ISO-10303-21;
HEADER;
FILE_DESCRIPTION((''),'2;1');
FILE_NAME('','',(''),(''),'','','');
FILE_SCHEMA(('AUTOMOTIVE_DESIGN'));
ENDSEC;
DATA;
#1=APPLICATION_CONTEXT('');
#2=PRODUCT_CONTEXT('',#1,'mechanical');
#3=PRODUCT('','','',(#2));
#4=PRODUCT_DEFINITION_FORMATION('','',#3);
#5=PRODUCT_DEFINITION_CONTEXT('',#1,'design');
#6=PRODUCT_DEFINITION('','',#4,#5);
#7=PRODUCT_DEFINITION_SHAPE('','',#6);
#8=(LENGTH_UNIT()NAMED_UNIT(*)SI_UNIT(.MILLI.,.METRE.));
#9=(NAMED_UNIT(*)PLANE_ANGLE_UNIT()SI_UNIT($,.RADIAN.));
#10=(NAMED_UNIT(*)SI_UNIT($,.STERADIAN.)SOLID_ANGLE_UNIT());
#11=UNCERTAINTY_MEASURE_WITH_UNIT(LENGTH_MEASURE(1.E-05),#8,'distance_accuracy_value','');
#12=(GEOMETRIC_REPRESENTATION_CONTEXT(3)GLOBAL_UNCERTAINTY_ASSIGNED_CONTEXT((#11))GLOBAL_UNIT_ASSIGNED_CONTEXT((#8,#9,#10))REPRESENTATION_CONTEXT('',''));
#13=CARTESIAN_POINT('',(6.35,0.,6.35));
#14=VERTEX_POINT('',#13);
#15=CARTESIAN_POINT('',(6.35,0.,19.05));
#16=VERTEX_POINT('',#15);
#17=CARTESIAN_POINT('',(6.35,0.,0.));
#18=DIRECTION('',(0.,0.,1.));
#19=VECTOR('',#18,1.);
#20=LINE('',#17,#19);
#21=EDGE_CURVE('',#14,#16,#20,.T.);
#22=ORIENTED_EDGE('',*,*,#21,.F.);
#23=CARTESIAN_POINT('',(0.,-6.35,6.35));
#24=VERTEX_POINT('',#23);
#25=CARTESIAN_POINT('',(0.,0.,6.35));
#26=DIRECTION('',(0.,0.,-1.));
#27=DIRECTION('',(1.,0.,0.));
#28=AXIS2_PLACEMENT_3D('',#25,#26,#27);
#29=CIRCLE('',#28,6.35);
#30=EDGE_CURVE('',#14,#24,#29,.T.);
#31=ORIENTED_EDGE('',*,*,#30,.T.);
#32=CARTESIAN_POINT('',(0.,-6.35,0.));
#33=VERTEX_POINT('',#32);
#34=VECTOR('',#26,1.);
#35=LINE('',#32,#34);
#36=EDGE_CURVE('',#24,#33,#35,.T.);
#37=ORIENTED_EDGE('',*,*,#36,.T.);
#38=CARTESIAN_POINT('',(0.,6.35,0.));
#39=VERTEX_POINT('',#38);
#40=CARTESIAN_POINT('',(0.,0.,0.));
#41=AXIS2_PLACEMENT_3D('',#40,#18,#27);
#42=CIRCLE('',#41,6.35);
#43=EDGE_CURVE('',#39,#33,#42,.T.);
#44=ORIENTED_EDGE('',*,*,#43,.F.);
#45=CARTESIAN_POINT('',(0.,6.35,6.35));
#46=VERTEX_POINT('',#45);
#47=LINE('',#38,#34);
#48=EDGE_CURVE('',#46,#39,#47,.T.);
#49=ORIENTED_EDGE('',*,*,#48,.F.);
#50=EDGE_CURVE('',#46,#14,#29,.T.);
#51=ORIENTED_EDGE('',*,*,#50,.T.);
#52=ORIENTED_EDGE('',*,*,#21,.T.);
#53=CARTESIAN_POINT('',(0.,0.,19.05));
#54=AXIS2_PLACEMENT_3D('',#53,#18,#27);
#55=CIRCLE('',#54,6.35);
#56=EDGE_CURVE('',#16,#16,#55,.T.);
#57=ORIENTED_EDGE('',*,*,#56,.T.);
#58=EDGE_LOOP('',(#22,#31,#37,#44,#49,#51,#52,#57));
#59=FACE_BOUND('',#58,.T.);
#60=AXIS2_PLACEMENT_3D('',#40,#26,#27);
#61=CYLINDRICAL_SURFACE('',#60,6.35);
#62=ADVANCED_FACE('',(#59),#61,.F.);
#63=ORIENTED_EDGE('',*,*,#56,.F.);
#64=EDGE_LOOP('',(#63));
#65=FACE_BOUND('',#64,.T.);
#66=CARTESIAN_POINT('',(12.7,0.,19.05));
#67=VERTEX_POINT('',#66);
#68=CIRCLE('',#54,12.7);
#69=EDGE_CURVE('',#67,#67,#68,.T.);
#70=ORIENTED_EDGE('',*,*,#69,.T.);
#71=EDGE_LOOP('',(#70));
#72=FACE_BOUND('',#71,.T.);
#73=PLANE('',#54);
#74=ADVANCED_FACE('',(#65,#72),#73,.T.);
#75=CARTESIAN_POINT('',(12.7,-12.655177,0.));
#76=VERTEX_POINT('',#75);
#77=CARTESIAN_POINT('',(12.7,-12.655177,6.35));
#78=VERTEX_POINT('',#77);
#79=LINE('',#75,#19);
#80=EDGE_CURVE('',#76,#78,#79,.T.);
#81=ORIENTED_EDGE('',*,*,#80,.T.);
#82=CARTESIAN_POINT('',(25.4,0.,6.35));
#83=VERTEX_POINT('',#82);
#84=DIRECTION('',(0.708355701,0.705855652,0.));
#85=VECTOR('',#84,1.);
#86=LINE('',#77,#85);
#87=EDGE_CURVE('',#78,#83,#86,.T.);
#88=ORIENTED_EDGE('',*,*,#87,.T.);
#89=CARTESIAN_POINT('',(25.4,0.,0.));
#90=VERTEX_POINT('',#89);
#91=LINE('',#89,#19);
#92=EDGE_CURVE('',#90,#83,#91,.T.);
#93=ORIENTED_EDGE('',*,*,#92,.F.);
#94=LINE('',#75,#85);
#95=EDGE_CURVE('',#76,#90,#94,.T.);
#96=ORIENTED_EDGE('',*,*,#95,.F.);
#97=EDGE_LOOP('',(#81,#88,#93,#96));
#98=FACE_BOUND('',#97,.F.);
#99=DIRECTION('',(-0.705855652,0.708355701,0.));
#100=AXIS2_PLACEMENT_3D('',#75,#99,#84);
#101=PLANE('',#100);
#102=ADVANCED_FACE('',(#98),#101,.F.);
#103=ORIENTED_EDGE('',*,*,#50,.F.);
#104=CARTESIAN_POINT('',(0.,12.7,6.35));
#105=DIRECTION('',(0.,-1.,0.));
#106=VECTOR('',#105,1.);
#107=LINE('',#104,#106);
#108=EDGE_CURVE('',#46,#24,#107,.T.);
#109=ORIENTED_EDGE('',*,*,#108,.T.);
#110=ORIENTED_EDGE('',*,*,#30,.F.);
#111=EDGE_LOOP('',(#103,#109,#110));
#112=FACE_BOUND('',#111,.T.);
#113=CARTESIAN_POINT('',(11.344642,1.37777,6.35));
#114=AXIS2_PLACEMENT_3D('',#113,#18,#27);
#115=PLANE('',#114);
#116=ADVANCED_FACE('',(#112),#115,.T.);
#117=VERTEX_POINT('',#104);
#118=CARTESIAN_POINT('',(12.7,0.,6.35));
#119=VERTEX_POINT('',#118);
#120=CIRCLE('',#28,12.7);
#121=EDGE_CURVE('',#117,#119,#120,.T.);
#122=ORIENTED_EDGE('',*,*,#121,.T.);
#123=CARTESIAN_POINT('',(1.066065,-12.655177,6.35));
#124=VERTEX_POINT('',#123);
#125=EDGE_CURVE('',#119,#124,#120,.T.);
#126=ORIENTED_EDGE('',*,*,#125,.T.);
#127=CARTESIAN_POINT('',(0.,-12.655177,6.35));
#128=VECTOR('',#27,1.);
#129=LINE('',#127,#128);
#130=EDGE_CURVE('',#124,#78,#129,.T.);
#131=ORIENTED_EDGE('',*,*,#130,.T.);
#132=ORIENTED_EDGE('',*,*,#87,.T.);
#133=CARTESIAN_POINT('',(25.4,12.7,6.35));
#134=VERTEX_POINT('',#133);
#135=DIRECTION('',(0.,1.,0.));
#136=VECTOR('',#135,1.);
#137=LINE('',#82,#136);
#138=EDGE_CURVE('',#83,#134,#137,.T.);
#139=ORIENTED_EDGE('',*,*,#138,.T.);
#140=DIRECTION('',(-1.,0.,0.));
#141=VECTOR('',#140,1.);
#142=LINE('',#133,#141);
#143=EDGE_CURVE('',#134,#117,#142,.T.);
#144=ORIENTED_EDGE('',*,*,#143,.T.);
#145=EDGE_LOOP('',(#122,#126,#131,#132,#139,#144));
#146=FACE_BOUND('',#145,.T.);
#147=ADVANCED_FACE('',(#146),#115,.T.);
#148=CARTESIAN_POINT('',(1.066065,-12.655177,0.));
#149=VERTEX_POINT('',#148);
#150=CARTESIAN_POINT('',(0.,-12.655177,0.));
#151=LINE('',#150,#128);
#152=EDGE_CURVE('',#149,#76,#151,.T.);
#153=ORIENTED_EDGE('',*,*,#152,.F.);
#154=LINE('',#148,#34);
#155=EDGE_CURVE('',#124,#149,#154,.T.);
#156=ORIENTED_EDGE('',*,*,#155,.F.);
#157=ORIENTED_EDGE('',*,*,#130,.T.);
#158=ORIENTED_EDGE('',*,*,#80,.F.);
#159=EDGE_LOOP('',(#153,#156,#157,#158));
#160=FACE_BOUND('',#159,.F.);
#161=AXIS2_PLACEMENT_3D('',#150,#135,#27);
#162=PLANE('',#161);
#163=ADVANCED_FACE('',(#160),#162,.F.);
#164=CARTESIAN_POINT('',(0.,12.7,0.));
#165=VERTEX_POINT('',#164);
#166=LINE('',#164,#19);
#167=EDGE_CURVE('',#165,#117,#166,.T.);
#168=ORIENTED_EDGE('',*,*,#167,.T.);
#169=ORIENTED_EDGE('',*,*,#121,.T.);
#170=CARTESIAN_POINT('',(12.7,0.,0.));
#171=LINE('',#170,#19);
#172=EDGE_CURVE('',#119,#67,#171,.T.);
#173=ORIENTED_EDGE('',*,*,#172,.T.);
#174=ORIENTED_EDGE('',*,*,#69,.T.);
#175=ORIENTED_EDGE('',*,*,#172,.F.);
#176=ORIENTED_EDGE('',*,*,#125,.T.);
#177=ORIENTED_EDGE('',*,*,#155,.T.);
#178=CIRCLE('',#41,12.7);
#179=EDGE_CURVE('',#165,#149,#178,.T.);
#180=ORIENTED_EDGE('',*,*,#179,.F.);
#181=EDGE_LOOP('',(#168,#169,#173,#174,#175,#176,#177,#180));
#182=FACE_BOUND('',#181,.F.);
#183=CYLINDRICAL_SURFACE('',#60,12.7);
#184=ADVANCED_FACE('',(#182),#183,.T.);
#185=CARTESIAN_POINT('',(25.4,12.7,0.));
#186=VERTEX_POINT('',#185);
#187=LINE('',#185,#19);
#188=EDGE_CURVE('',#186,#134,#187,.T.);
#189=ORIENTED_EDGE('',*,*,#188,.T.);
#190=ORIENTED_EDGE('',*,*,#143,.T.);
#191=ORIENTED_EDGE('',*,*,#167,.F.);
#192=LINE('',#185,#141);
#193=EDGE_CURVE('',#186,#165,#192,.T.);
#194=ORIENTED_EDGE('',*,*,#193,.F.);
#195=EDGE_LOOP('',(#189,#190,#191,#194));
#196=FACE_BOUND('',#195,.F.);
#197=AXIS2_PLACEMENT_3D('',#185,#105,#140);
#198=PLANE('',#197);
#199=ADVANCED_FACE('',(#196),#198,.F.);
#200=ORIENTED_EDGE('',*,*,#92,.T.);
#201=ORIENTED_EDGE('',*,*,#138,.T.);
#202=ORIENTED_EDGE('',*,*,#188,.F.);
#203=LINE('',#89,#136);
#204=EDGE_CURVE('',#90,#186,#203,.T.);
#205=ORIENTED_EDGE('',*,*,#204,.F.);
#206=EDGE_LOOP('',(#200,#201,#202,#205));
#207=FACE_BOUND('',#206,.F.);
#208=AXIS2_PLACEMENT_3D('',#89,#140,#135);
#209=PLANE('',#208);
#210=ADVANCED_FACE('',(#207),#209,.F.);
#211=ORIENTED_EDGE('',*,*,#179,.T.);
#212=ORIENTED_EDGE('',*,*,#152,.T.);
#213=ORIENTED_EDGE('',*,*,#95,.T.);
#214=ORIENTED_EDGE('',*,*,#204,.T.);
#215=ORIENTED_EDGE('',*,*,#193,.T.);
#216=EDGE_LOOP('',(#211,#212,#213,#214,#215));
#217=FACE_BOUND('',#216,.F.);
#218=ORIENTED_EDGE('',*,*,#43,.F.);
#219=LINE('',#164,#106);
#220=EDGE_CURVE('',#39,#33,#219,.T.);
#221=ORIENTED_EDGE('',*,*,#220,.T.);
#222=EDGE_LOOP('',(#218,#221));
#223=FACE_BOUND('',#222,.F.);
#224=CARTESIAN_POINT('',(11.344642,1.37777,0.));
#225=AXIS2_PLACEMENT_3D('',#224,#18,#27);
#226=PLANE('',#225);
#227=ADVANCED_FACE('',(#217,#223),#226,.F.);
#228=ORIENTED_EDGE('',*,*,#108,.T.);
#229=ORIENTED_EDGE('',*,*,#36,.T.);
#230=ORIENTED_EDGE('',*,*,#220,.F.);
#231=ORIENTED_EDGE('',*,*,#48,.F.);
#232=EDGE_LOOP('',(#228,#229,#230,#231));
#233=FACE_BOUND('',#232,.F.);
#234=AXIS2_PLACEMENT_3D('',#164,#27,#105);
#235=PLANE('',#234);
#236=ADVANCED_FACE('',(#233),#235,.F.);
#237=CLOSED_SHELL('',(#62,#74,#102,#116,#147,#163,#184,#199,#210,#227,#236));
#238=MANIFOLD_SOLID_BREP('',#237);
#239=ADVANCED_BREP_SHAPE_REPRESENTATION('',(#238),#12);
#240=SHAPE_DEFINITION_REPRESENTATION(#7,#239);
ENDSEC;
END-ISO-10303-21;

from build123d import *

# Parameters (mm, degrees)
F0_R     = 12.7
F0_R_2   = 6.35
F1_DEPTH = 19.05
F3_DEPTH = 6.35


with BuildPart() as f1:
    # F0 (on Top) → F1 (new body)
    with BuildSketch(Plane.XY):
        Circle(F0_R)
        Circle(F0_R_2, mode=Mode.SUBTRACT)
    extrude(amount=F1_DEPTH)

    # F2 (on Top) → F3 (join)
    with BuildSketch(Plane.XY):
        Polygon((25.4, 12.7), (0, 12.7), (0, -12.655177), (12.7, -12.655177), (25.4, 0), align=None)
    extrude(amount=F3_DEPTH)


solid = f1.part
